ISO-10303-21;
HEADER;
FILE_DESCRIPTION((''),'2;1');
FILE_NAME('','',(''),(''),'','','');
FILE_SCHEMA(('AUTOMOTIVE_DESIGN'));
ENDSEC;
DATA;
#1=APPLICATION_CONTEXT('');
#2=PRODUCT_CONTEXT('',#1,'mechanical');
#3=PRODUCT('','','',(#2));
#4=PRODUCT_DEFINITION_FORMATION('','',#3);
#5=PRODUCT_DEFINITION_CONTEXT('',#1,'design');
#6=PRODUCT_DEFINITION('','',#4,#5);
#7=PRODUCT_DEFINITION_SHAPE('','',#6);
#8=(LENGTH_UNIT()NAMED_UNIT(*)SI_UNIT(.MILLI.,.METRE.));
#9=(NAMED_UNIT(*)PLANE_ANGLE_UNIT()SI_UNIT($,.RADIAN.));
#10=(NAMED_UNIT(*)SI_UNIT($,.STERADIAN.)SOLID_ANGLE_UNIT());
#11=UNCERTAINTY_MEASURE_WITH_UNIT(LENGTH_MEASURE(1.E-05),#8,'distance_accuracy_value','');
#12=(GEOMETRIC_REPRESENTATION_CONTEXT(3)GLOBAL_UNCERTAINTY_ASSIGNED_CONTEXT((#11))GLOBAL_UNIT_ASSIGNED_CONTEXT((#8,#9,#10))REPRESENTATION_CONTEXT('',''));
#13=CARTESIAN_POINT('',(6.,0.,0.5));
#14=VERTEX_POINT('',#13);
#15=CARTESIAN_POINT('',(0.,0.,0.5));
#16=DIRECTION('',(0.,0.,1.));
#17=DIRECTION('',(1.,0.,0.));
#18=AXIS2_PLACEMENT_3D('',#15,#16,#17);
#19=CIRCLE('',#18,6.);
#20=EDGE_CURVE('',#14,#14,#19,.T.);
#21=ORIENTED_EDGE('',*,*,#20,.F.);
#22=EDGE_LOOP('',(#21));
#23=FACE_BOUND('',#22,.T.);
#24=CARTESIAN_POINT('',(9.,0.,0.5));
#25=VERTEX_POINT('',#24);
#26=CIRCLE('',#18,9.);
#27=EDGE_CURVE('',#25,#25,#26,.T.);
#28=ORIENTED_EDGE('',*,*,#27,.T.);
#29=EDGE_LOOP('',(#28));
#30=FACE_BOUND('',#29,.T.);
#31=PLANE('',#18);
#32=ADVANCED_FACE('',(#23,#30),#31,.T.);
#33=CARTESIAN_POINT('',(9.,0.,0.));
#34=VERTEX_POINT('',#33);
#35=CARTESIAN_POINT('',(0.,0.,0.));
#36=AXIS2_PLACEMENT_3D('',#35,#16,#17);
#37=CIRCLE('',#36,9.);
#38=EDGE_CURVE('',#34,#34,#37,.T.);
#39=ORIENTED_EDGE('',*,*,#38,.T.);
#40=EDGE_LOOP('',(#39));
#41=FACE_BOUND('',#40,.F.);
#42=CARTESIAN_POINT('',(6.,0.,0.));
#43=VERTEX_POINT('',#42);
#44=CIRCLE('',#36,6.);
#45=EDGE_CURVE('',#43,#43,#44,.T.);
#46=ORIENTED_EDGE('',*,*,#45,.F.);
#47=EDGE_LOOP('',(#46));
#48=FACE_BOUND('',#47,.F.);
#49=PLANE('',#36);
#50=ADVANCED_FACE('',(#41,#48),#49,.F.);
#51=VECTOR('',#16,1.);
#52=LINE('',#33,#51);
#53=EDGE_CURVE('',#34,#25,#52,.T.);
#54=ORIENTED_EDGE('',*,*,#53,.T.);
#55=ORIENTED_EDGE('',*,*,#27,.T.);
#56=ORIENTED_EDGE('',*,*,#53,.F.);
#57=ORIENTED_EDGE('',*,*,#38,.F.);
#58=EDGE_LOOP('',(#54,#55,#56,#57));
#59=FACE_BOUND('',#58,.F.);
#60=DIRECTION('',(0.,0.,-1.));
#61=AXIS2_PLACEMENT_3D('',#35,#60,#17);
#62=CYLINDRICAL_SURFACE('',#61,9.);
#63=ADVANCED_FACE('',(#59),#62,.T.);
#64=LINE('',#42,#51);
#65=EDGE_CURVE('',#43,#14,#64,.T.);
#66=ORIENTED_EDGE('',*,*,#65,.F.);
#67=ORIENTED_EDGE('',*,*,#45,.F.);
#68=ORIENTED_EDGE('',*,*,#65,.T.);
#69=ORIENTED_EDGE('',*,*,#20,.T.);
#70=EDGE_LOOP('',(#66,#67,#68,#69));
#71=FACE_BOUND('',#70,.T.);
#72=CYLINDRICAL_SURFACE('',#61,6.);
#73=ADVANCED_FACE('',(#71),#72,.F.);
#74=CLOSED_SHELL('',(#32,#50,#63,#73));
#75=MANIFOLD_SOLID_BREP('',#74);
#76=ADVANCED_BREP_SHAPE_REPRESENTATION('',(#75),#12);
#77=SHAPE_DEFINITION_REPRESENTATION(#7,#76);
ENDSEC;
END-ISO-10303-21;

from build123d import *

# Parameters (mm, degrees)
SKETCH_R   = 9
SKETCH_R_2 = 6
PAD_DEPTH  = 0.5


with BuildPart() as part:
    # Sketch → Pad (new body)
    with BuildSketch(Plane.XY):
        Circle(SKETCH_R)
        Circle(SKETCH_R_2, mode=Mode.SUBTRACT)
    extrude(amount=PAD_DEPTH)


solid = part.part
